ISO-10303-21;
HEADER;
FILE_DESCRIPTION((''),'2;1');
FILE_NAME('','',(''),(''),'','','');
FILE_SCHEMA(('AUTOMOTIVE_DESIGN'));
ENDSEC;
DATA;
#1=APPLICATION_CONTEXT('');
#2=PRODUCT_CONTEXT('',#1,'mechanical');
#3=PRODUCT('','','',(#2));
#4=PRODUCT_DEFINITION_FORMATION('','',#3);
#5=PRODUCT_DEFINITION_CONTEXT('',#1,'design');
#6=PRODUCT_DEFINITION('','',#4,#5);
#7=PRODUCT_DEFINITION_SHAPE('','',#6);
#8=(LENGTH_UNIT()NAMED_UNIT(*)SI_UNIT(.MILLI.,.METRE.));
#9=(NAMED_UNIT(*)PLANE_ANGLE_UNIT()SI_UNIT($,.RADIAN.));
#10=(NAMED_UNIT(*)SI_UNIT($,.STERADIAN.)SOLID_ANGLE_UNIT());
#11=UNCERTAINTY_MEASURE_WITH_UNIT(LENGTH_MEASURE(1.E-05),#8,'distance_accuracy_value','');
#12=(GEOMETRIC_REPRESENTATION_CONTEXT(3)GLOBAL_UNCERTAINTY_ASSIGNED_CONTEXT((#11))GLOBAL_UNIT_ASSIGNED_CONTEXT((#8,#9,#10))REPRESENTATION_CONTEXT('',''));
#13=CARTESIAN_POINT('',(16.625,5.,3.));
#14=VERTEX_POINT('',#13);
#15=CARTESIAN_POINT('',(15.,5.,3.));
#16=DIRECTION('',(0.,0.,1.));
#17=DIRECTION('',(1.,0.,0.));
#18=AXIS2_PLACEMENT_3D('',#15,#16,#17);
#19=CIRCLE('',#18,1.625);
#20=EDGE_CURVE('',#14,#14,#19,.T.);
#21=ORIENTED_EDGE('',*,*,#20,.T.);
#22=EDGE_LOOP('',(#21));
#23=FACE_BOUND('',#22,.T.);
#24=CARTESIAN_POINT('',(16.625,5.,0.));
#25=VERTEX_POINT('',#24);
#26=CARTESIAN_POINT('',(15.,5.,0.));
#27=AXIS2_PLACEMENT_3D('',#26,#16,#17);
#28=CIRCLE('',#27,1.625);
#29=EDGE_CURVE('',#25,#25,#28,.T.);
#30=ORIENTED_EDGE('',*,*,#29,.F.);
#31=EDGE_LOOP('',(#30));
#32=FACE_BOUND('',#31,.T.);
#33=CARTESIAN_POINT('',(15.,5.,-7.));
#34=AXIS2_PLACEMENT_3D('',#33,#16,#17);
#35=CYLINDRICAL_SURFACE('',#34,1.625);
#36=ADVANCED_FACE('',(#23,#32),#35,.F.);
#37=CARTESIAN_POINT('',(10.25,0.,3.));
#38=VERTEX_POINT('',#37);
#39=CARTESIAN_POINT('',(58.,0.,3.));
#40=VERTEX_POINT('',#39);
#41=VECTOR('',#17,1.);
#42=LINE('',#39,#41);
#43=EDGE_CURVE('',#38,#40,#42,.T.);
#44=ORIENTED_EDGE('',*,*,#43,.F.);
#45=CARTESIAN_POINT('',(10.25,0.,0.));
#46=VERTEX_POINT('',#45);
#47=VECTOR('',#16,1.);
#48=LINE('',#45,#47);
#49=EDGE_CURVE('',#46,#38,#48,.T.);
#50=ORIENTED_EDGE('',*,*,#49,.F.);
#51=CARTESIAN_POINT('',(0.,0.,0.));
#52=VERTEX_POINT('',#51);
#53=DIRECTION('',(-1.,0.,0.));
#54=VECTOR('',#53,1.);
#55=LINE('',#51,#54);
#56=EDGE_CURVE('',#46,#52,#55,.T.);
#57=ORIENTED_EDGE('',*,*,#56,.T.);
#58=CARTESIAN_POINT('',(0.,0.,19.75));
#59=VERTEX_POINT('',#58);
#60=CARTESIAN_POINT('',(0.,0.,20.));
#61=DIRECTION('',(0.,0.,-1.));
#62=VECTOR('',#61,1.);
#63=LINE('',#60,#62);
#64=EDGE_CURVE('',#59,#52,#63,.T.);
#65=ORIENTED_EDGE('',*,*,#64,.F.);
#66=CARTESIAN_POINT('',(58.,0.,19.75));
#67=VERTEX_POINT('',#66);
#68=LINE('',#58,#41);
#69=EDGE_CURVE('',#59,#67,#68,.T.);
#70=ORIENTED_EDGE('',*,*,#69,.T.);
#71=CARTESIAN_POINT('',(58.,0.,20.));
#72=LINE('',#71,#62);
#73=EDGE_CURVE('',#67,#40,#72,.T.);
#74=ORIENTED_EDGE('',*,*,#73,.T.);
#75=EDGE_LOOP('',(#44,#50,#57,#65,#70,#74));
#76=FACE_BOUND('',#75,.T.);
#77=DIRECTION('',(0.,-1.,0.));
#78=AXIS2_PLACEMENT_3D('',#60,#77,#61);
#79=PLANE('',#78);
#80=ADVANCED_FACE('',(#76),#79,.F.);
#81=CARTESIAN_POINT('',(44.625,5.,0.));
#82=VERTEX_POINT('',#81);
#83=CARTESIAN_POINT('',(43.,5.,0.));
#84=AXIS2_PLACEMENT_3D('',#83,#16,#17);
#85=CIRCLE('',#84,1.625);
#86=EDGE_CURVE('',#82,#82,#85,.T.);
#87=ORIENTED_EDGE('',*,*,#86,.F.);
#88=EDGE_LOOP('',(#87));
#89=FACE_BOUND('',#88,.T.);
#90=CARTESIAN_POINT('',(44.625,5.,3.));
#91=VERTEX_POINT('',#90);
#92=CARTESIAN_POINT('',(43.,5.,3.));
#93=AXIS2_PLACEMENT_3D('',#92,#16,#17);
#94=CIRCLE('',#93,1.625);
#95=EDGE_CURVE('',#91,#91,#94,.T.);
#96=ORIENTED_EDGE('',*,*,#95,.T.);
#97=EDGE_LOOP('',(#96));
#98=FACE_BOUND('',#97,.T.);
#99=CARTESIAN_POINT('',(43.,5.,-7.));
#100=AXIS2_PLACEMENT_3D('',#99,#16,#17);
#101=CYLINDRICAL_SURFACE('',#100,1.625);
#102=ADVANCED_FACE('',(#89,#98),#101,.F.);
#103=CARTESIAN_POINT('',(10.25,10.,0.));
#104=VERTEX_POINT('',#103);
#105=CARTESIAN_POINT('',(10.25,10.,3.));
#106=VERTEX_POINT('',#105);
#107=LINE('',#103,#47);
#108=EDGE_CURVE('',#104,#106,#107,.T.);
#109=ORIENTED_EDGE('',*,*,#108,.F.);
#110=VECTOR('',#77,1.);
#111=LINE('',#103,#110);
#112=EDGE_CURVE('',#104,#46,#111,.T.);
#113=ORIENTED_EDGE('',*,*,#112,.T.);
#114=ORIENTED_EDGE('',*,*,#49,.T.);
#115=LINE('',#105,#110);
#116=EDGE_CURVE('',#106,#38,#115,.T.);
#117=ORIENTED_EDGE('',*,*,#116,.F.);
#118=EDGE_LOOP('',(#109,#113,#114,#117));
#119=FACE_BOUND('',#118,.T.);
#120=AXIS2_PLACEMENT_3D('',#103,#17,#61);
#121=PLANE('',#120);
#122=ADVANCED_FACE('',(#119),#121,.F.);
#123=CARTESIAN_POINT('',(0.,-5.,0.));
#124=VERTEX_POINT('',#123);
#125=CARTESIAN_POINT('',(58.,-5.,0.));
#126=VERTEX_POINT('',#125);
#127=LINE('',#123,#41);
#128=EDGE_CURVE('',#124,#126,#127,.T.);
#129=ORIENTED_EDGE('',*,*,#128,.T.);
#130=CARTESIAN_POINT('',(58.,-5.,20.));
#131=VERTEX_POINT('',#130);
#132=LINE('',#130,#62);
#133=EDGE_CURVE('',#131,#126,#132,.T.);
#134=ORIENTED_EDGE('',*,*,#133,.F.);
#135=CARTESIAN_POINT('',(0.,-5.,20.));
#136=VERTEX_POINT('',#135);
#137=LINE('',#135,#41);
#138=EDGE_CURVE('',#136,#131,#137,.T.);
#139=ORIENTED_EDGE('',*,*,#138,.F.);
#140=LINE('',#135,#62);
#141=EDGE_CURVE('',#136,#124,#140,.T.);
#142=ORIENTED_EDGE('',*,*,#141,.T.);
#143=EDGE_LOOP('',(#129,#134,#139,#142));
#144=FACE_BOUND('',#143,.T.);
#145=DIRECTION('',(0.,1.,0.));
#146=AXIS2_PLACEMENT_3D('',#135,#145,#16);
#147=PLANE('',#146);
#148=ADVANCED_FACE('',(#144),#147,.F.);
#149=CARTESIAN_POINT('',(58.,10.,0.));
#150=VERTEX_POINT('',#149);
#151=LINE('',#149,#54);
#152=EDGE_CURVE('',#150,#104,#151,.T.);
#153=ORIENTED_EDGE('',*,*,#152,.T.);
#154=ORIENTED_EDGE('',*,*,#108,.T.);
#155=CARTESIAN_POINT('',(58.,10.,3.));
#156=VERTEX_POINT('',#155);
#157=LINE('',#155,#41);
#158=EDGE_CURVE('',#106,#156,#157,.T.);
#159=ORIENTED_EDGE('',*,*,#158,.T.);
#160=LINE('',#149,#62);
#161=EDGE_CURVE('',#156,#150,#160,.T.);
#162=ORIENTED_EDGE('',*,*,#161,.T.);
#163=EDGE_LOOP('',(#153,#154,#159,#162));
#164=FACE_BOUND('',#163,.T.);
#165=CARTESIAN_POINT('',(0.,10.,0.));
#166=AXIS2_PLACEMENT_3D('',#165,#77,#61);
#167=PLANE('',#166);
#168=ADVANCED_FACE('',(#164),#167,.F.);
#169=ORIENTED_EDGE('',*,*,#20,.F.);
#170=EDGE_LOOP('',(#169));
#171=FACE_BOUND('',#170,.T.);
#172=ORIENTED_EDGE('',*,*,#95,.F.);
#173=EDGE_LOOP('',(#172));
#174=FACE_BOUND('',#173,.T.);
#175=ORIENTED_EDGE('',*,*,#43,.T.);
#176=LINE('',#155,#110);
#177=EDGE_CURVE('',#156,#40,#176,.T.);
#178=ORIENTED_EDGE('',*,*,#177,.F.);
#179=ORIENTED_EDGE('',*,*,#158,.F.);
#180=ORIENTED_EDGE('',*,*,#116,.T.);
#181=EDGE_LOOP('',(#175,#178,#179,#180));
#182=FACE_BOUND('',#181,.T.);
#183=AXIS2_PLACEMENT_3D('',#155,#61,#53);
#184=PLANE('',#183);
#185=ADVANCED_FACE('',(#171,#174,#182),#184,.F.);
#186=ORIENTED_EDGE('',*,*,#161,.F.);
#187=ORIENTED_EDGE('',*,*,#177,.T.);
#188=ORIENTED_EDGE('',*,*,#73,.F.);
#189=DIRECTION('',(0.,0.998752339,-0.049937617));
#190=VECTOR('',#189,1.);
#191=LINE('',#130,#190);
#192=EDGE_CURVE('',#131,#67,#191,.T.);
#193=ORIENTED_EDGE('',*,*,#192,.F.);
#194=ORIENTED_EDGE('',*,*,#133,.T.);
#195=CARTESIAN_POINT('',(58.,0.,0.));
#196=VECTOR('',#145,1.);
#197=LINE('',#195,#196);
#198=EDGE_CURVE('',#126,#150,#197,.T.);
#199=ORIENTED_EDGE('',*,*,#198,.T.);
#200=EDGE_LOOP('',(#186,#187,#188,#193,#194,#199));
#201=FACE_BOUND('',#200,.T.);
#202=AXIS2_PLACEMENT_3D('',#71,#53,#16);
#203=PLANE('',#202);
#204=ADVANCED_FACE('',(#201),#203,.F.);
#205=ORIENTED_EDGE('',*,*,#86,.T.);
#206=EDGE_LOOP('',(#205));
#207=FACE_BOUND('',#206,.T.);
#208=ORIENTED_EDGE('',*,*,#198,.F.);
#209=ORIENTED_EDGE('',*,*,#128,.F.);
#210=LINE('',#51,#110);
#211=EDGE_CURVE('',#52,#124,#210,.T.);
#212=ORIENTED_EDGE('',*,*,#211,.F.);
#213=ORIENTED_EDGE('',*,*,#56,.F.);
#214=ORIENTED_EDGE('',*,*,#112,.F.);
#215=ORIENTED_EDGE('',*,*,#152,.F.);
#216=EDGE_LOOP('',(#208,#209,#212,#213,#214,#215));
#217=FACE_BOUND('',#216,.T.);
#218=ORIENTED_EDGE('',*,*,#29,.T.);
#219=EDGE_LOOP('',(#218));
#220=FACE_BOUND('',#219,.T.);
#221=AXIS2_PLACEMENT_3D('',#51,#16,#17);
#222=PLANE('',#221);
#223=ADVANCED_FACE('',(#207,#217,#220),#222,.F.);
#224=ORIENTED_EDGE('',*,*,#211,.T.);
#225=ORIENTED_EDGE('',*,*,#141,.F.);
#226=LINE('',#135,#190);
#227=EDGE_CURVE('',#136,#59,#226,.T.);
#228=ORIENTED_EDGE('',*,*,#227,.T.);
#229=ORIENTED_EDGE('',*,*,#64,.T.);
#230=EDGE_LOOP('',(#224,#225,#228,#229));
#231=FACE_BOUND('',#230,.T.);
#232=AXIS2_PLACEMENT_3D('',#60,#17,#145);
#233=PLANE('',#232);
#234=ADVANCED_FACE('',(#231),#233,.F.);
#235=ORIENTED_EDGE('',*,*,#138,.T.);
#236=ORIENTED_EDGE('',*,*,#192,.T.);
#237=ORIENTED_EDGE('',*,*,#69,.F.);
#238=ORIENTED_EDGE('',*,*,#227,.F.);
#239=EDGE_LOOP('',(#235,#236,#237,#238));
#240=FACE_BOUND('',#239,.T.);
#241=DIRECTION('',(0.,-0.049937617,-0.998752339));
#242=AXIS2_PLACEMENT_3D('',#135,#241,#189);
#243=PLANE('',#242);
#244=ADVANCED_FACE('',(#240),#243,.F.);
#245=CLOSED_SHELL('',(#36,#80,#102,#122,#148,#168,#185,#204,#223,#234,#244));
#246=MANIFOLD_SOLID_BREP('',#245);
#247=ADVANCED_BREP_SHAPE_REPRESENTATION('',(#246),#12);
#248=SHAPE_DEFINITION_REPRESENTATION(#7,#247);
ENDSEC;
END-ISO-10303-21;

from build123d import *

# Parameters (mm, degrees)
ESQUISSE1_W             = 58
ESQUISSE1_H             = 5
BOSS_EXTRU_1_DEPTH      = 20
ESQUISSE3_W             = 47.75
ESQUISSE3_H             = 3
BOSS_EXTRU_2_DEPTH      = 10
ESQUISSE4_R             = 1.625
ENL_V_MAT_EXTRU_1_DEPTH = 10
ENL_V_MAT_EXTRU_2_DEPTH = 59


with BuildPart() as part:
    # Esquisse1 → Boss.-Extru.1 (new body)
    with BuildSketch(Plane.XY):
        with Locations((29, -2.5)):
            Rectangle(ESQUISSE1_W, ESQUISSE1_H)
    extrude(amount=BOSS_EXTRU_1_DEPTH)

    # Esquisse3 → Boss.-Extru.2 (add)
    with BuildSketch(Plane(origin=(0, 0, 0), x_dir=(1, 0, 0), z_dir=(0, 1, 0))):
        with Locations((34.125, -1.5)):
            Rectangle(ESQUISSE3_W, ESQUISSE3_H)
    extrude(amount=BOSS_EXTRU_2_DEPTH)

    # Esquisse4 → Enlèv. mat.-Extru.1 (cut)
    with BuildSketch(Plane.XY.offset(3)):
        with Locations((43, 5)):
            Circle(ESQUISSE4_R)
        with Locations((15, 5)):
            Circle(ESQUISSE4_R)
    extrude(amount=-ENL_V_MAT_EXTRU_1_DEPTH, mode=Mode.SUBTRACT)

    # Esquisse6 → Enlèv. mat.-Extru.2 (cut, through all)
    with BuildSketch(Plane(origin=(58, 0, 0), x_dir=(0, 0, -1), z_dir=(1, 0, 0))):
        Polygon((-20, -5), (-19.75, 0), (-20, 0), align=None)
    extrude(amount=-ENL_V_MAT_EXTRU_2_DEPTH, mode=Mode.SUBTRACT)


solid = part.part
